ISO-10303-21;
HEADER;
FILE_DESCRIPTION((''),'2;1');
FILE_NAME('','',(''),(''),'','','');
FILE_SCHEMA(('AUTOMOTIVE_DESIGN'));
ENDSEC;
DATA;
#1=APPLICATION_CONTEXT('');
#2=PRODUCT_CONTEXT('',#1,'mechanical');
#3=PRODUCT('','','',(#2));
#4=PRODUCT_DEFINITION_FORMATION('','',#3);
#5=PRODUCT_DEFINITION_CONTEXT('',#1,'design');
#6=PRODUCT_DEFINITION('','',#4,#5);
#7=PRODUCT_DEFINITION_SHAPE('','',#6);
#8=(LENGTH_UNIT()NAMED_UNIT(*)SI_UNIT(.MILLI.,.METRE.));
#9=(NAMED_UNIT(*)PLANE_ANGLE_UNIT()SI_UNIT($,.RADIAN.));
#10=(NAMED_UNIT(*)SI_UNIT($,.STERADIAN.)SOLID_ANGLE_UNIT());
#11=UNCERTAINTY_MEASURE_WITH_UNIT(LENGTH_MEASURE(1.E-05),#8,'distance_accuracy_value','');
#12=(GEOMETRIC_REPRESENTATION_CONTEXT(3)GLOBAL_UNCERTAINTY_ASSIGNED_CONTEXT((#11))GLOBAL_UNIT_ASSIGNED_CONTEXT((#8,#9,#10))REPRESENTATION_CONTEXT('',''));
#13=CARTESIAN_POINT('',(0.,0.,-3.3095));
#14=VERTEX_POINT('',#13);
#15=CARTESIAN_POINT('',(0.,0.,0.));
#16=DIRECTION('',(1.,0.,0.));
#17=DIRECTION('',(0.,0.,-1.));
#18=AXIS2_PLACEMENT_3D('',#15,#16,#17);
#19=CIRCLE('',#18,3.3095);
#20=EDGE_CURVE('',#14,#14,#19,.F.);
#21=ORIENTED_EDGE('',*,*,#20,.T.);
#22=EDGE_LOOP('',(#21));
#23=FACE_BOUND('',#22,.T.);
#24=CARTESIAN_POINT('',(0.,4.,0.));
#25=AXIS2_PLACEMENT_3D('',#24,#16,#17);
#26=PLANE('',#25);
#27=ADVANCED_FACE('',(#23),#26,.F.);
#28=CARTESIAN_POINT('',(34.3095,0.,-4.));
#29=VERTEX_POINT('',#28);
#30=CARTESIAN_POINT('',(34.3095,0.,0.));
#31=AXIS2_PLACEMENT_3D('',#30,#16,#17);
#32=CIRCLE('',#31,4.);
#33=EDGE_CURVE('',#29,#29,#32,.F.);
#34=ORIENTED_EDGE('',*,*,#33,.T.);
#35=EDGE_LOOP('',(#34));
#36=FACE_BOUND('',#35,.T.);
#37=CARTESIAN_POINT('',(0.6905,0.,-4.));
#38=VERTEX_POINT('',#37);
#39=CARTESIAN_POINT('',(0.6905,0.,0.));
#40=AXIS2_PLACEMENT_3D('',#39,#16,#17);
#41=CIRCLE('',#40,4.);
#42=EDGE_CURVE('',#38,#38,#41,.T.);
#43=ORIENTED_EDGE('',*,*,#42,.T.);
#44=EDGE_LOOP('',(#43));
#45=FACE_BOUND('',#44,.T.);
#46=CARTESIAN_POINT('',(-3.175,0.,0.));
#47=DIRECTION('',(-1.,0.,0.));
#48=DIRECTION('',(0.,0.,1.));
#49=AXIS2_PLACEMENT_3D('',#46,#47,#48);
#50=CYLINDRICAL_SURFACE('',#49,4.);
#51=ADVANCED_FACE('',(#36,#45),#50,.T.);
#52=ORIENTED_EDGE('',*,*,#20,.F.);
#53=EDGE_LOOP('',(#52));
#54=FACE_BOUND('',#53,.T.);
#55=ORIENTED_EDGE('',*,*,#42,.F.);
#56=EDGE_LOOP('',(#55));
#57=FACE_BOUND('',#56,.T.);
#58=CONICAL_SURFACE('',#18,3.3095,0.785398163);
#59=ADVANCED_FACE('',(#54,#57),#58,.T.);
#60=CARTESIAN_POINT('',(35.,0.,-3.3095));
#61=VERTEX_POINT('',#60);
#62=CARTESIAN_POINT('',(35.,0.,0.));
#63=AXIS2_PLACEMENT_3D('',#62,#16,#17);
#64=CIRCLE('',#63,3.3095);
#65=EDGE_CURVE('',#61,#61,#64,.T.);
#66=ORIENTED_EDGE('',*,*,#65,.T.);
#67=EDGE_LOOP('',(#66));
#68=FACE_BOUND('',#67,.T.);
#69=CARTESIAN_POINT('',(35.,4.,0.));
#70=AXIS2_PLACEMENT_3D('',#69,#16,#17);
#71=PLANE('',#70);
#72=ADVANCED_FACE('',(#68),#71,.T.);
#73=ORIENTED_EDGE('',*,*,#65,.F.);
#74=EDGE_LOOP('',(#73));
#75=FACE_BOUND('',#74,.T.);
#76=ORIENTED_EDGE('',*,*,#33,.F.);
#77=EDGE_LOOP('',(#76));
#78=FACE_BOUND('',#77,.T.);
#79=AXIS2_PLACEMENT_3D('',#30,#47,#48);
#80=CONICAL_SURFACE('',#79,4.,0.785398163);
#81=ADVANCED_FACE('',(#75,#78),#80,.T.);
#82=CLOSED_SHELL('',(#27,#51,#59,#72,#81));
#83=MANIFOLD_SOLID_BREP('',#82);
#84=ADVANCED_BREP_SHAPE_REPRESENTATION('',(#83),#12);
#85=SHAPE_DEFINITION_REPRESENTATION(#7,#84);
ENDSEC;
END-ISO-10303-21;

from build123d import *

# Parameters (mm, degrees)
BODYSKE_W     = 35
BODYSKE_H     = 4
CHAMFER1_SIZE = 0.6905


with BuildPart() as part:
    # BodySke → BaseBody (revolve)
    with BuildSketch(Plane.XY, mode=Mode.PRIVATE) as basebody_sk:
        with Locations((17.5, 2)):
            Rectangle(BODYSKE_W, BODYSKE_H)
    revolve(basebody_sk.sketch.rotate(Axis((-3.175, 0, 0), (1, 0, 0)), 90), axis=Axis((-3.175, 0, 0), (1, 0, 0)))

    # Chamfer1
    chamfer1_edges = [part.edges().sort_by_distance(p)[0] for p in [
        (35, 0, -4),
        (0, 0, -4),
    ]]
    chamfer(chamfer1_edges, length=CHAMFER1_SIZE)


solid = part.part
